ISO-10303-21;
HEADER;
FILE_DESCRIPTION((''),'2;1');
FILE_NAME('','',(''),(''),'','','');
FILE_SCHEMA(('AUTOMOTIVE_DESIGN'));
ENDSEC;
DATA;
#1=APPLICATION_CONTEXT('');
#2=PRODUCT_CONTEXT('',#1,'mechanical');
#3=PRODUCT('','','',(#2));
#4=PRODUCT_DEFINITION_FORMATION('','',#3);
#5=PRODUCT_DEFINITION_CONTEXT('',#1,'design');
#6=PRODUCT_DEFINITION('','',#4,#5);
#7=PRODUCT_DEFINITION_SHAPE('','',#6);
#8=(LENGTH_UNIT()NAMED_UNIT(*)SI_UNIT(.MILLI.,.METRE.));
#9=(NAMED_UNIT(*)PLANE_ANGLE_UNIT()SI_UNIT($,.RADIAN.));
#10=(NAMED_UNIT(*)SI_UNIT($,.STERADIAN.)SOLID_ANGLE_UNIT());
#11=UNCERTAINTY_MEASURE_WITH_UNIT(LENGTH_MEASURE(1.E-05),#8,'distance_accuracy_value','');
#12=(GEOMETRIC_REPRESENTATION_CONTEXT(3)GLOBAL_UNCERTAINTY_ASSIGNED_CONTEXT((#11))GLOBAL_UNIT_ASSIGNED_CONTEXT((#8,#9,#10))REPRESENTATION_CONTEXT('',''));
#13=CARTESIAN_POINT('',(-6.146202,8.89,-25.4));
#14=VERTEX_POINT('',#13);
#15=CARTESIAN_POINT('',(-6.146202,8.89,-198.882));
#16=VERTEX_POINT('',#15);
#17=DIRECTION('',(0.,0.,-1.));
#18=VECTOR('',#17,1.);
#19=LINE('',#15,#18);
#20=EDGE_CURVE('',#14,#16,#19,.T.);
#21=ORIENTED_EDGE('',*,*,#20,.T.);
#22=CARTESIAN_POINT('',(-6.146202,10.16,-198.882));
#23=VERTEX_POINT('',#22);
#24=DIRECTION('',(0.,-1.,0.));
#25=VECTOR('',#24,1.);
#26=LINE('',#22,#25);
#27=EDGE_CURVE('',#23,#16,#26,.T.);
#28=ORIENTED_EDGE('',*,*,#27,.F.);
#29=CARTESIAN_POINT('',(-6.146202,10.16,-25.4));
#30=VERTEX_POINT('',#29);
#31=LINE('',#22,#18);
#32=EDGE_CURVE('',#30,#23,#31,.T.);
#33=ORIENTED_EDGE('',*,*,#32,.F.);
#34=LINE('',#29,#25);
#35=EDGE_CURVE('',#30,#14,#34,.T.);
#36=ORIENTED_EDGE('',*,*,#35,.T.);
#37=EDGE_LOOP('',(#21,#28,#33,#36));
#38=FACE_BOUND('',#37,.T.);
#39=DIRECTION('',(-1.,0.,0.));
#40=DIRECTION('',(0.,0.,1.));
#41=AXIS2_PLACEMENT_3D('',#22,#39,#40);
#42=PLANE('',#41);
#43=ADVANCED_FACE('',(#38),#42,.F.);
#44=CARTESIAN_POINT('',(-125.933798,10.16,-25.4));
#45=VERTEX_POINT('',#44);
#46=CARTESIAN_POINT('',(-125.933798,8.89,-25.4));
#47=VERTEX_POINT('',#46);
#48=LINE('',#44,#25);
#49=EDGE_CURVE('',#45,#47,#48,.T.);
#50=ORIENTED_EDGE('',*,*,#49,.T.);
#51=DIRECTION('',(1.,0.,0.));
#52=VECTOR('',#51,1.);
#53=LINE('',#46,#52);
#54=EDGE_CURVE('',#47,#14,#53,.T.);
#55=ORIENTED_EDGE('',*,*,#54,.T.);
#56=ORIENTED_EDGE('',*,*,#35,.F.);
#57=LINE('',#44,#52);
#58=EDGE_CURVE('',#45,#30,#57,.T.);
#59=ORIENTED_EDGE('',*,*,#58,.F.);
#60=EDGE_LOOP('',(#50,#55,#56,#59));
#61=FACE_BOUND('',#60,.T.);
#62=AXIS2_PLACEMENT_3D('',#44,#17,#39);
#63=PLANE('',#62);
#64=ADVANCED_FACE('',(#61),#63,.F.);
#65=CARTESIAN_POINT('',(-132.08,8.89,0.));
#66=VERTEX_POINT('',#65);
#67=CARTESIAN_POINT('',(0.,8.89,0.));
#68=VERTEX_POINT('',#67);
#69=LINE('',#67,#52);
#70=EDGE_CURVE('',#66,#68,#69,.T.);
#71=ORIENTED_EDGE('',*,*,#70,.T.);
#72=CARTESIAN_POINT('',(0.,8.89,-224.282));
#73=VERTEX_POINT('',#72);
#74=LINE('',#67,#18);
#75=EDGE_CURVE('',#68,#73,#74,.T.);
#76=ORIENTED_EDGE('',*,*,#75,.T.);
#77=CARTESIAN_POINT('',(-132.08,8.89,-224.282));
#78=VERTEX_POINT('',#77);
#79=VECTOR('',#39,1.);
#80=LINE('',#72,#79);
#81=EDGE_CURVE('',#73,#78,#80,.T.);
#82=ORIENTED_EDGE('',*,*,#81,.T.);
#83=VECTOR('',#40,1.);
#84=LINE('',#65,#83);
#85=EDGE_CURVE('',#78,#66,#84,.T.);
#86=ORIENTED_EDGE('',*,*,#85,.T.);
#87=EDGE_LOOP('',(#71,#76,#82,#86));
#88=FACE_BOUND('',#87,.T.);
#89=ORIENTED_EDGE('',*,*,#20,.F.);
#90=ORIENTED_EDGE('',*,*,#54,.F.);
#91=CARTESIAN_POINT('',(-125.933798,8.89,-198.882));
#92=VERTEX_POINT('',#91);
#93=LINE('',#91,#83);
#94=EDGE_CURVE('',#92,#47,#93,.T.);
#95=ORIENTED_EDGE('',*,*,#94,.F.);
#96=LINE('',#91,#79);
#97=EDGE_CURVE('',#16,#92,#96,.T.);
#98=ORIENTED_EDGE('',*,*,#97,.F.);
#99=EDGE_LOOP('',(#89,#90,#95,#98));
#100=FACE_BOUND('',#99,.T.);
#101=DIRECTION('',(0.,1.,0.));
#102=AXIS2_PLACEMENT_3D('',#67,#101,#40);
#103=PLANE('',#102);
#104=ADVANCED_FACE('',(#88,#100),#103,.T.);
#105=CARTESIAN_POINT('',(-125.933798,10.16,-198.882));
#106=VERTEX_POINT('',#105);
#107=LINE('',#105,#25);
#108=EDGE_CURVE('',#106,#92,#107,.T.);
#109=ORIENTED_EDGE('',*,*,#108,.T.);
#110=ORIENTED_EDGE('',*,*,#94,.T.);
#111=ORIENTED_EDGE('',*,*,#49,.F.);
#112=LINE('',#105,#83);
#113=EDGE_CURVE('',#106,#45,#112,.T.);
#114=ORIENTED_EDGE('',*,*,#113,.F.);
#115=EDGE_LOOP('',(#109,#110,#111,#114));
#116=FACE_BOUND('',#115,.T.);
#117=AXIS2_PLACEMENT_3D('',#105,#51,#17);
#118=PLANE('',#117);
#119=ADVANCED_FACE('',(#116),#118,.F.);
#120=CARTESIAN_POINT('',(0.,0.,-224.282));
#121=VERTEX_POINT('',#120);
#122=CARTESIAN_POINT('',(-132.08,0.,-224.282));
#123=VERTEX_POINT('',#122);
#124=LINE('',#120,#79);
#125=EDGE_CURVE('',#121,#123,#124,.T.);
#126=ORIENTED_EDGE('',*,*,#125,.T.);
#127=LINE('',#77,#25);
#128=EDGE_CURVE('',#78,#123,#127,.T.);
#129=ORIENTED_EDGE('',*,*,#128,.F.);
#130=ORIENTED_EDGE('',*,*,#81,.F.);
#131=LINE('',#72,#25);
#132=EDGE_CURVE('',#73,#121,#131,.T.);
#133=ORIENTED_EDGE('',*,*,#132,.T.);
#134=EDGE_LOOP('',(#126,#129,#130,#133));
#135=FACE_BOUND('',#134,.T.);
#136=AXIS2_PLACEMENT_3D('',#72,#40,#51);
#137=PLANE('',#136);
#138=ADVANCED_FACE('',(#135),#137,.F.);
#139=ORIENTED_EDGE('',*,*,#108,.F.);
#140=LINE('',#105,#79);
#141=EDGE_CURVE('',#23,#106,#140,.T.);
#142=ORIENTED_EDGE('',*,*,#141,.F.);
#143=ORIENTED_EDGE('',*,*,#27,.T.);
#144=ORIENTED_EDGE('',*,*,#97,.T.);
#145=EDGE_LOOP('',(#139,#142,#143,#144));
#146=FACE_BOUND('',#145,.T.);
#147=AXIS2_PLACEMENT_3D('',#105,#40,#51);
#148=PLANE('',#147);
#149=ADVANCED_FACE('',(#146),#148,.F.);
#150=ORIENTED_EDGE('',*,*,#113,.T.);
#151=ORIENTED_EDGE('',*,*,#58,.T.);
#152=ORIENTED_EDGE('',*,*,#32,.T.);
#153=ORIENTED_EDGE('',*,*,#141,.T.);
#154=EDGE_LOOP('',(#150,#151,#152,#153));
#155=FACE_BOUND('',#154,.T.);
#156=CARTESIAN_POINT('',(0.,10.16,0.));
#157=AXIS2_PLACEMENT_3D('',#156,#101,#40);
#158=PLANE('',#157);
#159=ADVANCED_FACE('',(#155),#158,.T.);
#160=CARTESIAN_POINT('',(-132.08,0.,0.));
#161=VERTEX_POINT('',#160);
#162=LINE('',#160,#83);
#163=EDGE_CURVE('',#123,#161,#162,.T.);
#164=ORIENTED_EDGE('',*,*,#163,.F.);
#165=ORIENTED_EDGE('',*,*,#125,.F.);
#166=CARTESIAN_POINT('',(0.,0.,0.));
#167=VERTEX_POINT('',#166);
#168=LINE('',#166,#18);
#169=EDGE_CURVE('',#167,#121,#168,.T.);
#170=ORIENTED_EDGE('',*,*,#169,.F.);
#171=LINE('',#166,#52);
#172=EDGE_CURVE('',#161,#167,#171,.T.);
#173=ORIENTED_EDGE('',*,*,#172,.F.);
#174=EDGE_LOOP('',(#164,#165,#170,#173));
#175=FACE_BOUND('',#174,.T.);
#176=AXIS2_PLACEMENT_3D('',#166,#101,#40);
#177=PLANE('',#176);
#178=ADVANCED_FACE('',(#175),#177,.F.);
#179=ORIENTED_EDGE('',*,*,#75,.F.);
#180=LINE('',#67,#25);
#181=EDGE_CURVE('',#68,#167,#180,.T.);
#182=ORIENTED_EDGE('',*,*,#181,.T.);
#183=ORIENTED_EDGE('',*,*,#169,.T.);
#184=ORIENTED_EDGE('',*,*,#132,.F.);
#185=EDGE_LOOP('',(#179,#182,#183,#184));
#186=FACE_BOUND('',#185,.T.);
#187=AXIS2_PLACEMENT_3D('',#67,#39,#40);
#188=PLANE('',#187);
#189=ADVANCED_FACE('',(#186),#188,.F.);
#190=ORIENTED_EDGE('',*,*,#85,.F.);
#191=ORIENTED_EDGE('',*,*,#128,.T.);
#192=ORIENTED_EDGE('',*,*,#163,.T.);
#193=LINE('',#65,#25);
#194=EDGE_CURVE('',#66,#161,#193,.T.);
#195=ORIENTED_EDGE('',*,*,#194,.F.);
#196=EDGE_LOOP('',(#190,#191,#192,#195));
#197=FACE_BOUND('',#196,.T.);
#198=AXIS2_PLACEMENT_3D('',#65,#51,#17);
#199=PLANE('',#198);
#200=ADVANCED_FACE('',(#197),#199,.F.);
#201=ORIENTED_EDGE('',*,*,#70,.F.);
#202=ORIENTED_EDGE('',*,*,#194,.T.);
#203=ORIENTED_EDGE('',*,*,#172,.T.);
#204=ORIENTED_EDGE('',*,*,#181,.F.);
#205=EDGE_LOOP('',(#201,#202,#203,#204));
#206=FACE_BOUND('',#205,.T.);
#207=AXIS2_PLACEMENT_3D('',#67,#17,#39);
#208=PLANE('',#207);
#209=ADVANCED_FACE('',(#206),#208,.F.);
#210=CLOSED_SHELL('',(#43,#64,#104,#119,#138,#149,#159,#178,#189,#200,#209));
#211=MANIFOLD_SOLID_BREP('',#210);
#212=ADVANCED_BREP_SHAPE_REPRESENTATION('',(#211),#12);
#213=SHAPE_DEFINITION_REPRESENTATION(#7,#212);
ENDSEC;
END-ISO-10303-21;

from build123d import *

# Parameters (mm, degrees)
SKETCH1_W           = 132.08
SKETCH1_H           = 224.282
BOSS_EXTRUDE1_DEPTH = 8.89
SKETCH2_W           = 119.787595668
SKETCH2_H           = 173.482
BOSS_EXTRUDE2_DEPTH = 1.27


with BuildPart() as part:
    # Sketch1 → Boss-Extrude1 (new body)
    with BuildSketch(Plane(origin=(0, 0, 0), x_dir=(1, 0, 0), z_dir=(0, 1, 0))):
        with Locations((-66.04, 112.141)):
            Rectangle(SKETCH1_W, SKETCH1_H)
    extrude(amount=BOSS_EXTRUDE1_DEPTH)

    # Sketch2 → Boss-Extrude2 (add)
    with BuildSketch(Plane(origin=(0, 8.89, 0), x_dir=(1, 0, 0), z_dir=(0, 1, 0))):
        with Locations((-66.04, 112.141)):
            Rectangle(SKETCH2_W, SKETCH2_H)
    extrude(amount=BOSS_EXTRUDE2_DEPTH)


solid = part.part
